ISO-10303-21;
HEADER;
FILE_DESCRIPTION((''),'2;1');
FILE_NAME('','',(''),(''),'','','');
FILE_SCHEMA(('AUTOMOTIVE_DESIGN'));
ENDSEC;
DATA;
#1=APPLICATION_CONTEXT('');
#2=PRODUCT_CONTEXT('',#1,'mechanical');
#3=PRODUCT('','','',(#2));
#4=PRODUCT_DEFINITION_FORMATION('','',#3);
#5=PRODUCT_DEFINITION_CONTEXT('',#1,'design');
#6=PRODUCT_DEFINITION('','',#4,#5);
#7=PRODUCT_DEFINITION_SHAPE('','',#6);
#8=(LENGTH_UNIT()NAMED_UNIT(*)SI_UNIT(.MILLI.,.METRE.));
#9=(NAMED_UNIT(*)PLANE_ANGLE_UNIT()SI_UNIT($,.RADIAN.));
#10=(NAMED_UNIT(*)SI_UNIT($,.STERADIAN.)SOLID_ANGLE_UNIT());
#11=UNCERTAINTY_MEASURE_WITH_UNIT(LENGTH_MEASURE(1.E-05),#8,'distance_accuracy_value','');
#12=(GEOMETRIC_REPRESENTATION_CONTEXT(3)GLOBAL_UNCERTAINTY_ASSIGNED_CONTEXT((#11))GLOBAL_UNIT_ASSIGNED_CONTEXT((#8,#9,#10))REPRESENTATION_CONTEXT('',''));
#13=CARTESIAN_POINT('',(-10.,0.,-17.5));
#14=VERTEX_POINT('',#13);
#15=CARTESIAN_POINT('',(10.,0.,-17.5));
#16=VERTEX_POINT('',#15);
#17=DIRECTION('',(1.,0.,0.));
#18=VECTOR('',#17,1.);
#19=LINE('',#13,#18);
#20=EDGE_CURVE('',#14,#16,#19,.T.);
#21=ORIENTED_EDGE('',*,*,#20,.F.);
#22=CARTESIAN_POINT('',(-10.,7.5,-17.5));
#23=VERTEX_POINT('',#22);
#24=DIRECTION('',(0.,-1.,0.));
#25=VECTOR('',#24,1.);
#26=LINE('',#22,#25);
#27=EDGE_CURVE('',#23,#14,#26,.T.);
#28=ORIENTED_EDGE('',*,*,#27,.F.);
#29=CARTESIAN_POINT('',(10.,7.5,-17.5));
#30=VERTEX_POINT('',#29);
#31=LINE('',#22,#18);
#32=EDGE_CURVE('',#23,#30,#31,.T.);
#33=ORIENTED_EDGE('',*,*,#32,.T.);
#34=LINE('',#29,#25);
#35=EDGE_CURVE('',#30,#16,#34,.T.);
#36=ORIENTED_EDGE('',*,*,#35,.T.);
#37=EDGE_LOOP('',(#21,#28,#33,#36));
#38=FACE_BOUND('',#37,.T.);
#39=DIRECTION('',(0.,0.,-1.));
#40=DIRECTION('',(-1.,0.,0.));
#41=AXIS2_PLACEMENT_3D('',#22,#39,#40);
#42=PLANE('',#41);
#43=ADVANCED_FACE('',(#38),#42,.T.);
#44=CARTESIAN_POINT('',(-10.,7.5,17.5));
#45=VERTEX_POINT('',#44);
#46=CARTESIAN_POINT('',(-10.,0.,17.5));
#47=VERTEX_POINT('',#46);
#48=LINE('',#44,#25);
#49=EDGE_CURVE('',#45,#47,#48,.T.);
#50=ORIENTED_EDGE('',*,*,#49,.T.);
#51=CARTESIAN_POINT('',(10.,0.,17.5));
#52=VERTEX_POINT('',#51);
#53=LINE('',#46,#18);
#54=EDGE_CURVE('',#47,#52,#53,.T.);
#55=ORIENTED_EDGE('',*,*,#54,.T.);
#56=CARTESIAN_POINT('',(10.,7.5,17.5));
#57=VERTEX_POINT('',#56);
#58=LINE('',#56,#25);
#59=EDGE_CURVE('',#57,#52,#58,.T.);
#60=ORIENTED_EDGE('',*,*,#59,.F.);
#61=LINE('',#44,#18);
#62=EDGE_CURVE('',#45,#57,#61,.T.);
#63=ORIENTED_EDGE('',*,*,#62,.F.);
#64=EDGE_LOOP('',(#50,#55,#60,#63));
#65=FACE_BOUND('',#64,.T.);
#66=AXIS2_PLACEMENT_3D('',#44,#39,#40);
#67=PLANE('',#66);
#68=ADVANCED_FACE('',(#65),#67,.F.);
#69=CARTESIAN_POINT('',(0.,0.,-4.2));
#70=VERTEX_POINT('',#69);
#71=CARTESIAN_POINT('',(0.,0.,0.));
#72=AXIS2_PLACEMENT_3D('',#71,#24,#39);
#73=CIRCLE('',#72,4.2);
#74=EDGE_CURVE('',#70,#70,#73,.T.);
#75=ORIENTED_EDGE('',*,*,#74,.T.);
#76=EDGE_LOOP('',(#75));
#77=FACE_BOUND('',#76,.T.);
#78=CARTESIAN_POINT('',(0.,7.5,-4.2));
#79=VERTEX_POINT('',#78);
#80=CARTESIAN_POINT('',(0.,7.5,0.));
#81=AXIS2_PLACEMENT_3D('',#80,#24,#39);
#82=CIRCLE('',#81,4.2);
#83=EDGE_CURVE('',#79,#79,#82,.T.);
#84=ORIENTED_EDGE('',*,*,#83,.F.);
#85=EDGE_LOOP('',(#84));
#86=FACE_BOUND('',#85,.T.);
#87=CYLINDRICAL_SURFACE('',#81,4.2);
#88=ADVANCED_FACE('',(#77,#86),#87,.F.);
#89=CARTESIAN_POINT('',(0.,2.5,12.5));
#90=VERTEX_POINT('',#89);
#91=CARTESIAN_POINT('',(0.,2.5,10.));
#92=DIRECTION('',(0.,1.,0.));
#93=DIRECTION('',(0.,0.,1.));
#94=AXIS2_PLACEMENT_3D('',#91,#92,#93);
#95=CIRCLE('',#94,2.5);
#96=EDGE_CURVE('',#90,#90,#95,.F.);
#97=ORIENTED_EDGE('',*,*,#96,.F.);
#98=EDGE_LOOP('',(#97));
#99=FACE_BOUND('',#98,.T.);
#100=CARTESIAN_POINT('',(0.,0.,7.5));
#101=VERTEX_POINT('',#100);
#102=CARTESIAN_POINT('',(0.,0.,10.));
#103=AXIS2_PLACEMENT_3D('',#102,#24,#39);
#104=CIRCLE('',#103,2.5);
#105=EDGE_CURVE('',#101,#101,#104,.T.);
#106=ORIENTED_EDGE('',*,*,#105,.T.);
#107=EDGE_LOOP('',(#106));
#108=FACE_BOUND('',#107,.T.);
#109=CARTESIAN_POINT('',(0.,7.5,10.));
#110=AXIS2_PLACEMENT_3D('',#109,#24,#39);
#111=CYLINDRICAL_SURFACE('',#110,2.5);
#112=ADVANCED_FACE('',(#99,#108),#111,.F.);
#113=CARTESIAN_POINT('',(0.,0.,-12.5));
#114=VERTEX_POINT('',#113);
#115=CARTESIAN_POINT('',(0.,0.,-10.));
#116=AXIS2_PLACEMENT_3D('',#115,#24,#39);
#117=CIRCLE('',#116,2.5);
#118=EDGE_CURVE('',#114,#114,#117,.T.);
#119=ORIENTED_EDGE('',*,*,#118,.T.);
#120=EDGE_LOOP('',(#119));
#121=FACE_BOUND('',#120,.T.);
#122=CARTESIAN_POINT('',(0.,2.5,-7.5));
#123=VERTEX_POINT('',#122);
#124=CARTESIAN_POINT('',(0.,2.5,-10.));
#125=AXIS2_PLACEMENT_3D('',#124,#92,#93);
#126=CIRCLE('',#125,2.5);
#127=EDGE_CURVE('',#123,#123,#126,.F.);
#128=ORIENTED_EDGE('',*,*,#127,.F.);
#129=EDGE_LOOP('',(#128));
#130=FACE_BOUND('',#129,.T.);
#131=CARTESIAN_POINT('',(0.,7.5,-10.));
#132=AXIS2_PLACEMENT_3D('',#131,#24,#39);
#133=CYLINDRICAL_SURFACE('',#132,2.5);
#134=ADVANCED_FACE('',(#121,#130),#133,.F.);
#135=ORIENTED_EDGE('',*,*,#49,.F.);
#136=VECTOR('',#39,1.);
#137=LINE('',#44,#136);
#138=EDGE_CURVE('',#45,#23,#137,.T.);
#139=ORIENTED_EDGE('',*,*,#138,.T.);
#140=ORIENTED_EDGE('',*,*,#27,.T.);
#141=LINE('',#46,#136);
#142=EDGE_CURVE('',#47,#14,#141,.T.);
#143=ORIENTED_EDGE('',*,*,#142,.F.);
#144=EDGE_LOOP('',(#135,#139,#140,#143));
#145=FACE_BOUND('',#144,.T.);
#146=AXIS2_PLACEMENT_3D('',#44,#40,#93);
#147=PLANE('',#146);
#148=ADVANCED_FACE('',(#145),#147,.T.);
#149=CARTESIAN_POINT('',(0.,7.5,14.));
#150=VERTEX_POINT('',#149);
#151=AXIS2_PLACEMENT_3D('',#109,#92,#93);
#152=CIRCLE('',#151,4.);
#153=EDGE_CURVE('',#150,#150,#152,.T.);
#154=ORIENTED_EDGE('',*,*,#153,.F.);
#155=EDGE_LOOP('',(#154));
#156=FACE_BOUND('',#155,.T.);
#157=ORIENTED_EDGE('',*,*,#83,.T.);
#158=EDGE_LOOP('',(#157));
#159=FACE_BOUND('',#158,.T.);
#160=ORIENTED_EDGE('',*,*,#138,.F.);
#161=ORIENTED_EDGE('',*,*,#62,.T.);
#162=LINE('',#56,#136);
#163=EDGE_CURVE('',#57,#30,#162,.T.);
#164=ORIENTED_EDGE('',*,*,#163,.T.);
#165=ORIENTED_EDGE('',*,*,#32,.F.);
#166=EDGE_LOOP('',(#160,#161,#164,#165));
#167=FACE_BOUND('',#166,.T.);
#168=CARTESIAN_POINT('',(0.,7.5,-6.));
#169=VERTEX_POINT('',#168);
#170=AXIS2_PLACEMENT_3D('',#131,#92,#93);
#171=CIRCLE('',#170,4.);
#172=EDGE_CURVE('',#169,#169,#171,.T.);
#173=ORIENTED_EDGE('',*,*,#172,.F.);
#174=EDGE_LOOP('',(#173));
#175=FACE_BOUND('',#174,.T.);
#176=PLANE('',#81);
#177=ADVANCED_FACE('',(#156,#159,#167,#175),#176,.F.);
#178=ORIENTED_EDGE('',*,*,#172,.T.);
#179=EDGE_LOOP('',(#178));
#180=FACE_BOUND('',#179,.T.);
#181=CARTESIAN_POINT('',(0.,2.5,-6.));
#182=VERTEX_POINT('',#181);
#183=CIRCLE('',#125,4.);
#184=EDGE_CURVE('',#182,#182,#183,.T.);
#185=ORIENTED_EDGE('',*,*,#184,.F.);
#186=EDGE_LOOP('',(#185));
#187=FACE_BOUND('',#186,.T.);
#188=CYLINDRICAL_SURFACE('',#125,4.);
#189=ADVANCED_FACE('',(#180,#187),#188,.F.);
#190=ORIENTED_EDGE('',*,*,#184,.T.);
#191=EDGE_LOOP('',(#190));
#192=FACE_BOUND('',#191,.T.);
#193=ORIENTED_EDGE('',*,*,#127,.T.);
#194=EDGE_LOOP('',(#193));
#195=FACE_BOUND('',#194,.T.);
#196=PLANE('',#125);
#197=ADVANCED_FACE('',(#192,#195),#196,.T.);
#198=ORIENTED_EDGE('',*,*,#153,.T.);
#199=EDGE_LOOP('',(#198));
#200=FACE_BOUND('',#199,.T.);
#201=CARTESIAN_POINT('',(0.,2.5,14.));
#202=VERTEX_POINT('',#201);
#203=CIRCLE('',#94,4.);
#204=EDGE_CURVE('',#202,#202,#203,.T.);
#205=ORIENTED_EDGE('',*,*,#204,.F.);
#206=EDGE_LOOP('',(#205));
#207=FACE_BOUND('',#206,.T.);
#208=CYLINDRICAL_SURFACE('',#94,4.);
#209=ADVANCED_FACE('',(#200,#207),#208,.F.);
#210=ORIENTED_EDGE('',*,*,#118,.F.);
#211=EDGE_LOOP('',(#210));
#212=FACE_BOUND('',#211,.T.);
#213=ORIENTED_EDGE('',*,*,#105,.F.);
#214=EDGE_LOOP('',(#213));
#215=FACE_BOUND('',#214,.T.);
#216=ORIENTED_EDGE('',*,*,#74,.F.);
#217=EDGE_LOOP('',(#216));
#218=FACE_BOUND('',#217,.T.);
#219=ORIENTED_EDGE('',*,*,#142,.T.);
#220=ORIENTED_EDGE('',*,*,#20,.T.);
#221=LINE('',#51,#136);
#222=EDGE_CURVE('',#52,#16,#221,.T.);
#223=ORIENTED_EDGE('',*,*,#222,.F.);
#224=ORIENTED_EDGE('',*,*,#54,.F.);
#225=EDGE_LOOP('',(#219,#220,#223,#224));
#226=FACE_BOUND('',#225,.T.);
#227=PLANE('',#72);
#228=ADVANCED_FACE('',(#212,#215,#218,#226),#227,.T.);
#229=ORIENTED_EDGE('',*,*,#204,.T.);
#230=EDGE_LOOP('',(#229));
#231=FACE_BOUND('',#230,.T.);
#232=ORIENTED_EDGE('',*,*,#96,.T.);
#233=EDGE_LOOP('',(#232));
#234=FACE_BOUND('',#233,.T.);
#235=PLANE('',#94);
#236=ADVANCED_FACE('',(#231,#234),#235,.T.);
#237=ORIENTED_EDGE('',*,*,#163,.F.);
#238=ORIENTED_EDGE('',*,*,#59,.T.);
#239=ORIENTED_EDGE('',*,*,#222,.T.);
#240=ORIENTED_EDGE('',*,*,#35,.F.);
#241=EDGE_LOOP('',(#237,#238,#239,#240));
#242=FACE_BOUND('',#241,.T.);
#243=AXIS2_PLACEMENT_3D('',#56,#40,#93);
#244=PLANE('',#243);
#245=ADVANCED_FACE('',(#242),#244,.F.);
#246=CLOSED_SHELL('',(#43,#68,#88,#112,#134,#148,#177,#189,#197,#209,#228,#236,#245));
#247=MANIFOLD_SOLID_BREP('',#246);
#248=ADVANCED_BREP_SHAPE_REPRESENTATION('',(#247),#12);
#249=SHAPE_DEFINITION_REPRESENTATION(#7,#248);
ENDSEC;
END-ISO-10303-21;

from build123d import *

# Parameters (mm, degrees)
SKETCH1_W           = 20
SKETCH1_H           = 35
BOSS_EXTRUDE1_DEPTH = 7.5
SKETCH3_R           = 4.2
CUT_EXTRUDE1_DEPTH  = 8.5
SKETCH5_R           = 2.5
CUT_EXTRUDE2_DEPTH  = 8.5
SKETCH6_R           = 4
CUT_EXTRUDE3_DEPTH  = 5


with BuildPart() as part:
    # Sketch1 → Boss-Extrude1 (new body)
    with BuildSketch(Plane(origin=(0, 0, 0), x_dir=(1, 0, 0), z_dir=(0, 1, 0))):
        Rectangle(SKETCH1_W, SKETCH1_H)
    extrude(amount=BOSS_EXTRUDE1_DEPTH)

    # Sketch3 → Cut-Extrude1 (cut, through all)
    with BuildSketch(Plane.XZ):
        Circle(SKETCH3_R)
    extrude(amount=-CUT_EXTRUDE1_DEPTH, mode=Mode.SUBTRACT)

    # Sketch5 → Cut-Extrude2 (cut, through all)
    with BuildSketch(Plane.XZ):
        with Locations((0, 10)):
            Circle(SKETCH5_R)
        with Locations((0, -10)):
            Circle(SKETCH5_R)
    extrude(amount=-CUT_EXTRUDE2_DEPTH, mode=Mode.SUBTRACT)

    # Sketch6 → Cut-Extrude3 (cut)
    with BuildSketch(Plane(origin=(0, 7.5, 0), x_dir=(1, 0, 0), z_dir=(0, 1, 0))):
        with Locations((0, 10)):
            Circle(SKETCH6_R)
        with Locations((0, -10)):
            Circle(SKETCH6_R)
    extrude(amount=-CUT_EXTRUDE3_DEPTH, mode=Mode.SUBTRACT)


solid = part.part
